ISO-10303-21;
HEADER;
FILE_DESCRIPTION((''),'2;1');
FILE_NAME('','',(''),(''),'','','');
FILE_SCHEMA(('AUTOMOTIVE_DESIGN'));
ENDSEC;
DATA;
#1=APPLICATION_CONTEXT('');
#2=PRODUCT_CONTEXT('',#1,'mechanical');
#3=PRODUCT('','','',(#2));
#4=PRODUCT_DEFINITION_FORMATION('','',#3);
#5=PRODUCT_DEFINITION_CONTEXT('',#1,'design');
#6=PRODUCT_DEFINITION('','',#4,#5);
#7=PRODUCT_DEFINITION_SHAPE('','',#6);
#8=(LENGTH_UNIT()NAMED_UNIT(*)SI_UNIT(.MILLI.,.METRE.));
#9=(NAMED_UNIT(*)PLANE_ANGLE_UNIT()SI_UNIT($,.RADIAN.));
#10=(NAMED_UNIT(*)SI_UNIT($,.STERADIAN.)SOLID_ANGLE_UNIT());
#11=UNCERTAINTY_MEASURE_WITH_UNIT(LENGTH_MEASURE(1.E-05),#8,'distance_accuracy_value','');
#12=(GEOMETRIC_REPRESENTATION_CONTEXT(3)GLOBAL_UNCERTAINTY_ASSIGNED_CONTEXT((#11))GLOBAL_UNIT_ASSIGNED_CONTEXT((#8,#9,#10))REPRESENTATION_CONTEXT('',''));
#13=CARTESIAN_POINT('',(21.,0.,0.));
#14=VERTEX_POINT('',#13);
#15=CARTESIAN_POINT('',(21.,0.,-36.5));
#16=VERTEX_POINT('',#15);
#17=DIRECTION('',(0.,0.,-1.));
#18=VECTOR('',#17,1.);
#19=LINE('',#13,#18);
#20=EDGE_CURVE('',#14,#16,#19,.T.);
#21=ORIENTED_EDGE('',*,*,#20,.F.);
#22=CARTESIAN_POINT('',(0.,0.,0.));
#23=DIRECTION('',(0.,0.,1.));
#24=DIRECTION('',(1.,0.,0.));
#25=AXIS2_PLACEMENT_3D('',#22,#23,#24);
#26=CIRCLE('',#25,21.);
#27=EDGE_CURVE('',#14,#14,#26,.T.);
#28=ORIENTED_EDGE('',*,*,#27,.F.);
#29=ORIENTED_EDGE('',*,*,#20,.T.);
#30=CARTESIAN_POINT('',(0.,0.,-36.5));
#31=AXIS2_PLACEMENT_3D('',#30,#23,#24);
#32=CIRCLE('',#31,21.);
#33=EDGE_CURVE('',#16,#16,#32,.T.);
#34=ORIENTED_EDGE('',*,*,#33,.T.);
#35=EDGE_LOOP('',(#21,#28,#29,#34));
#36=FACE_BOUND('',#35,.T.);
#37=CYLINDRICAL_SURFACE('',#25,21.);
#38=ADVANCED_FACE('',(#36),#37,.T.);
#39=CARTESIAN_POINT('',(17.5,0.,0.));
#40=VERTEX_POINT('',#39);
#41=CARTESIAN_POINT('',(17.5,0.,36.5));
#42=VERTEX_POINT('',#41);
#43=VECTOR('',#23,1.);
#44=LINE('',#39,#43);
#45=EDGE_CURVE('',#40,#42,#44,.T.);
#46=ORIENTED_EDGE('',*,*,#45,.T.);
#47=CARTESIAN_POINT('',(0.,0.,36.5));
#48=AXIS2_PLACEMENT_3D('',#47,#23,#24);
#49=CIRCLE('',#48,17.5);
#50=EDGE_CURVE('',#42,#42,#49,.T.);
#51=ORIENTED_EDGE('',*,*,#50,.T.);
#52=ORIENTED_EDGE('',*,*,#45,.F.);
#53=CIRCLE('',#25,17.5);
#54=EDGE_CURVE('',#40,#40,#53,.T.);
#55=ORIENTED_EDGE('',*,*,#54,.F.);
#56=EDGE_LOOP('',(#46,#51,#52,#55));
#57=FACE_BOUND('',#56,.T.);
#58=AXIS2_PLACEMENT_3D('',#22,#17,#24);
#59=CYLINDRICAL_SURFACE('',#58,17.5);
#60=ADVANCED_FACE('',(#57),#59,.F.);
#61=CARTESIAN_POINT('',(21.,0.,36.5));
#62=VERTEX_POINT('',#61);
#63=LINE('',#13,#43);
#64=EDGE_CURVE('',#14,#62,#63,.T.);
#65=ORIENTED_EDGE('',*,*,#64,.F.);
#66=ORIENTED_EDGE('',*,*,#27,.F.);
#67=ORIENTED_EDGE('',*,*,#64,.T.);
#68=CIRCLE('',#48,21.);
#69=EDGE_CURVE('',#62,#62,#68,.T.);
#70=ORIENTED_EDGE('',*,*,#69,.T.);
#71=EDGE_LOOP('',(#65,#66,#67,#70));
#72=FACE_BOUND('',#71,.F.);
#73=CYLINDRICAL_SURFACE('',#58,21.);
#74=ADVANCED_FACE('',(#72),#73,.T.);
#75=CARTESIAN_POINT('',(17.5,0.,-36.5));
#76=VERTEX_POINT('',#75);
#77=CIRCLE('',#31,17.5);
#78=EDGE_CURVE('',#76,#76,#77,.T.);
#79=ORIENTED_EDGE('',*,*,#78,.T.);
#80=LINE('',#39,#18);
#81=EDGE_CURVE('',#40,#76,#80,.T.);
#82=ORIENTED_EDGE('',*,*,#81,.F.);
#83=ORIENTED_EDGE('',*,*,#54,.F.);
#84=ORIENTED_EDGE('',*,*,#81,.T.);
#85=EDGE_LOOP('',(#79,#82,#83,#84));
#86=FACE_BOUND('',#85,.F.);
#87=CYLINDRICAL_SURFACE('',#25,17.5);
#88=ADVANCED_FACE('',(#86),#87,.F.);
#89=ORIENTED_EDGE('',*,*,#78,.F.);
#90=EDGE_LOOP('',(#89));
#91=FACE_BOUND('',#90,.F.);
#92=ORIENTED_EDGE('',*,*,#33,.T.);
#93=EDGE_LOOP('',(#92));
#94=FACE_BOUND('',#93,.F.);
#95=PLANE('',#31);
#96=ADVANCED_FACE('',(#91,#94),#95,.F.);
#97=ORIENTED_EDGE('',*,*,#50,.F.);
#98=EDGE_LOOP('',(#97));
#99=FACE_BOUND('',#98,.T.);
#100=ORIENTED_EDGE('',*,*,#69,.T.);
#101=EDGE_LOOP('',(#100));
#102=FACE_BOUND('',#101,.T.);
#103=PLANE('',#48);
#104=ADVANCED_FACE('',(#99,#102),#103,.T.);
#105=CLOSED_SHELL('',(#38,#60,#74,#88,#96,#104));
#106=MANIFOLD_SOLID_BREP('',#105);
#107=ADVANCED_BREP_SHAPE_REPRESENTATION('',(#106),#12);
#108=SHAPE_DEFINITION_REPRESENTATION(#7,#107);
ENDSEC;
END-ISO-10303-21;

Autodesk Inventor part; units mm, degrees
ref_plane "YZ Plane" through (0, 0, 0) normal (1, 0, 0) x (0, 1, 0)
ref_plane "XZ Plane" through (0, 0, 0) normal (0, 1, 0) x (-1, 0, 0)
ref_plane "XY Plane" through (0, 0, 0) normal (0, 0, 1) x (1, 0, 0)
sketch "Sketch1" plane through (0, 0, 0) normal (0, 0, 1) x (1, 0, 0)
  circle A0 centre (0, 0) radius 17.5
  circle A1 centre (0, 0) radius 21
  dimension "d0" = 35
  dimension "OD" = 42
extrude "Extrusion1" add sketch "Sketch1" along normal mid plane 73
properties part number "BBSleeve73.42" material "Steel, Mild"
